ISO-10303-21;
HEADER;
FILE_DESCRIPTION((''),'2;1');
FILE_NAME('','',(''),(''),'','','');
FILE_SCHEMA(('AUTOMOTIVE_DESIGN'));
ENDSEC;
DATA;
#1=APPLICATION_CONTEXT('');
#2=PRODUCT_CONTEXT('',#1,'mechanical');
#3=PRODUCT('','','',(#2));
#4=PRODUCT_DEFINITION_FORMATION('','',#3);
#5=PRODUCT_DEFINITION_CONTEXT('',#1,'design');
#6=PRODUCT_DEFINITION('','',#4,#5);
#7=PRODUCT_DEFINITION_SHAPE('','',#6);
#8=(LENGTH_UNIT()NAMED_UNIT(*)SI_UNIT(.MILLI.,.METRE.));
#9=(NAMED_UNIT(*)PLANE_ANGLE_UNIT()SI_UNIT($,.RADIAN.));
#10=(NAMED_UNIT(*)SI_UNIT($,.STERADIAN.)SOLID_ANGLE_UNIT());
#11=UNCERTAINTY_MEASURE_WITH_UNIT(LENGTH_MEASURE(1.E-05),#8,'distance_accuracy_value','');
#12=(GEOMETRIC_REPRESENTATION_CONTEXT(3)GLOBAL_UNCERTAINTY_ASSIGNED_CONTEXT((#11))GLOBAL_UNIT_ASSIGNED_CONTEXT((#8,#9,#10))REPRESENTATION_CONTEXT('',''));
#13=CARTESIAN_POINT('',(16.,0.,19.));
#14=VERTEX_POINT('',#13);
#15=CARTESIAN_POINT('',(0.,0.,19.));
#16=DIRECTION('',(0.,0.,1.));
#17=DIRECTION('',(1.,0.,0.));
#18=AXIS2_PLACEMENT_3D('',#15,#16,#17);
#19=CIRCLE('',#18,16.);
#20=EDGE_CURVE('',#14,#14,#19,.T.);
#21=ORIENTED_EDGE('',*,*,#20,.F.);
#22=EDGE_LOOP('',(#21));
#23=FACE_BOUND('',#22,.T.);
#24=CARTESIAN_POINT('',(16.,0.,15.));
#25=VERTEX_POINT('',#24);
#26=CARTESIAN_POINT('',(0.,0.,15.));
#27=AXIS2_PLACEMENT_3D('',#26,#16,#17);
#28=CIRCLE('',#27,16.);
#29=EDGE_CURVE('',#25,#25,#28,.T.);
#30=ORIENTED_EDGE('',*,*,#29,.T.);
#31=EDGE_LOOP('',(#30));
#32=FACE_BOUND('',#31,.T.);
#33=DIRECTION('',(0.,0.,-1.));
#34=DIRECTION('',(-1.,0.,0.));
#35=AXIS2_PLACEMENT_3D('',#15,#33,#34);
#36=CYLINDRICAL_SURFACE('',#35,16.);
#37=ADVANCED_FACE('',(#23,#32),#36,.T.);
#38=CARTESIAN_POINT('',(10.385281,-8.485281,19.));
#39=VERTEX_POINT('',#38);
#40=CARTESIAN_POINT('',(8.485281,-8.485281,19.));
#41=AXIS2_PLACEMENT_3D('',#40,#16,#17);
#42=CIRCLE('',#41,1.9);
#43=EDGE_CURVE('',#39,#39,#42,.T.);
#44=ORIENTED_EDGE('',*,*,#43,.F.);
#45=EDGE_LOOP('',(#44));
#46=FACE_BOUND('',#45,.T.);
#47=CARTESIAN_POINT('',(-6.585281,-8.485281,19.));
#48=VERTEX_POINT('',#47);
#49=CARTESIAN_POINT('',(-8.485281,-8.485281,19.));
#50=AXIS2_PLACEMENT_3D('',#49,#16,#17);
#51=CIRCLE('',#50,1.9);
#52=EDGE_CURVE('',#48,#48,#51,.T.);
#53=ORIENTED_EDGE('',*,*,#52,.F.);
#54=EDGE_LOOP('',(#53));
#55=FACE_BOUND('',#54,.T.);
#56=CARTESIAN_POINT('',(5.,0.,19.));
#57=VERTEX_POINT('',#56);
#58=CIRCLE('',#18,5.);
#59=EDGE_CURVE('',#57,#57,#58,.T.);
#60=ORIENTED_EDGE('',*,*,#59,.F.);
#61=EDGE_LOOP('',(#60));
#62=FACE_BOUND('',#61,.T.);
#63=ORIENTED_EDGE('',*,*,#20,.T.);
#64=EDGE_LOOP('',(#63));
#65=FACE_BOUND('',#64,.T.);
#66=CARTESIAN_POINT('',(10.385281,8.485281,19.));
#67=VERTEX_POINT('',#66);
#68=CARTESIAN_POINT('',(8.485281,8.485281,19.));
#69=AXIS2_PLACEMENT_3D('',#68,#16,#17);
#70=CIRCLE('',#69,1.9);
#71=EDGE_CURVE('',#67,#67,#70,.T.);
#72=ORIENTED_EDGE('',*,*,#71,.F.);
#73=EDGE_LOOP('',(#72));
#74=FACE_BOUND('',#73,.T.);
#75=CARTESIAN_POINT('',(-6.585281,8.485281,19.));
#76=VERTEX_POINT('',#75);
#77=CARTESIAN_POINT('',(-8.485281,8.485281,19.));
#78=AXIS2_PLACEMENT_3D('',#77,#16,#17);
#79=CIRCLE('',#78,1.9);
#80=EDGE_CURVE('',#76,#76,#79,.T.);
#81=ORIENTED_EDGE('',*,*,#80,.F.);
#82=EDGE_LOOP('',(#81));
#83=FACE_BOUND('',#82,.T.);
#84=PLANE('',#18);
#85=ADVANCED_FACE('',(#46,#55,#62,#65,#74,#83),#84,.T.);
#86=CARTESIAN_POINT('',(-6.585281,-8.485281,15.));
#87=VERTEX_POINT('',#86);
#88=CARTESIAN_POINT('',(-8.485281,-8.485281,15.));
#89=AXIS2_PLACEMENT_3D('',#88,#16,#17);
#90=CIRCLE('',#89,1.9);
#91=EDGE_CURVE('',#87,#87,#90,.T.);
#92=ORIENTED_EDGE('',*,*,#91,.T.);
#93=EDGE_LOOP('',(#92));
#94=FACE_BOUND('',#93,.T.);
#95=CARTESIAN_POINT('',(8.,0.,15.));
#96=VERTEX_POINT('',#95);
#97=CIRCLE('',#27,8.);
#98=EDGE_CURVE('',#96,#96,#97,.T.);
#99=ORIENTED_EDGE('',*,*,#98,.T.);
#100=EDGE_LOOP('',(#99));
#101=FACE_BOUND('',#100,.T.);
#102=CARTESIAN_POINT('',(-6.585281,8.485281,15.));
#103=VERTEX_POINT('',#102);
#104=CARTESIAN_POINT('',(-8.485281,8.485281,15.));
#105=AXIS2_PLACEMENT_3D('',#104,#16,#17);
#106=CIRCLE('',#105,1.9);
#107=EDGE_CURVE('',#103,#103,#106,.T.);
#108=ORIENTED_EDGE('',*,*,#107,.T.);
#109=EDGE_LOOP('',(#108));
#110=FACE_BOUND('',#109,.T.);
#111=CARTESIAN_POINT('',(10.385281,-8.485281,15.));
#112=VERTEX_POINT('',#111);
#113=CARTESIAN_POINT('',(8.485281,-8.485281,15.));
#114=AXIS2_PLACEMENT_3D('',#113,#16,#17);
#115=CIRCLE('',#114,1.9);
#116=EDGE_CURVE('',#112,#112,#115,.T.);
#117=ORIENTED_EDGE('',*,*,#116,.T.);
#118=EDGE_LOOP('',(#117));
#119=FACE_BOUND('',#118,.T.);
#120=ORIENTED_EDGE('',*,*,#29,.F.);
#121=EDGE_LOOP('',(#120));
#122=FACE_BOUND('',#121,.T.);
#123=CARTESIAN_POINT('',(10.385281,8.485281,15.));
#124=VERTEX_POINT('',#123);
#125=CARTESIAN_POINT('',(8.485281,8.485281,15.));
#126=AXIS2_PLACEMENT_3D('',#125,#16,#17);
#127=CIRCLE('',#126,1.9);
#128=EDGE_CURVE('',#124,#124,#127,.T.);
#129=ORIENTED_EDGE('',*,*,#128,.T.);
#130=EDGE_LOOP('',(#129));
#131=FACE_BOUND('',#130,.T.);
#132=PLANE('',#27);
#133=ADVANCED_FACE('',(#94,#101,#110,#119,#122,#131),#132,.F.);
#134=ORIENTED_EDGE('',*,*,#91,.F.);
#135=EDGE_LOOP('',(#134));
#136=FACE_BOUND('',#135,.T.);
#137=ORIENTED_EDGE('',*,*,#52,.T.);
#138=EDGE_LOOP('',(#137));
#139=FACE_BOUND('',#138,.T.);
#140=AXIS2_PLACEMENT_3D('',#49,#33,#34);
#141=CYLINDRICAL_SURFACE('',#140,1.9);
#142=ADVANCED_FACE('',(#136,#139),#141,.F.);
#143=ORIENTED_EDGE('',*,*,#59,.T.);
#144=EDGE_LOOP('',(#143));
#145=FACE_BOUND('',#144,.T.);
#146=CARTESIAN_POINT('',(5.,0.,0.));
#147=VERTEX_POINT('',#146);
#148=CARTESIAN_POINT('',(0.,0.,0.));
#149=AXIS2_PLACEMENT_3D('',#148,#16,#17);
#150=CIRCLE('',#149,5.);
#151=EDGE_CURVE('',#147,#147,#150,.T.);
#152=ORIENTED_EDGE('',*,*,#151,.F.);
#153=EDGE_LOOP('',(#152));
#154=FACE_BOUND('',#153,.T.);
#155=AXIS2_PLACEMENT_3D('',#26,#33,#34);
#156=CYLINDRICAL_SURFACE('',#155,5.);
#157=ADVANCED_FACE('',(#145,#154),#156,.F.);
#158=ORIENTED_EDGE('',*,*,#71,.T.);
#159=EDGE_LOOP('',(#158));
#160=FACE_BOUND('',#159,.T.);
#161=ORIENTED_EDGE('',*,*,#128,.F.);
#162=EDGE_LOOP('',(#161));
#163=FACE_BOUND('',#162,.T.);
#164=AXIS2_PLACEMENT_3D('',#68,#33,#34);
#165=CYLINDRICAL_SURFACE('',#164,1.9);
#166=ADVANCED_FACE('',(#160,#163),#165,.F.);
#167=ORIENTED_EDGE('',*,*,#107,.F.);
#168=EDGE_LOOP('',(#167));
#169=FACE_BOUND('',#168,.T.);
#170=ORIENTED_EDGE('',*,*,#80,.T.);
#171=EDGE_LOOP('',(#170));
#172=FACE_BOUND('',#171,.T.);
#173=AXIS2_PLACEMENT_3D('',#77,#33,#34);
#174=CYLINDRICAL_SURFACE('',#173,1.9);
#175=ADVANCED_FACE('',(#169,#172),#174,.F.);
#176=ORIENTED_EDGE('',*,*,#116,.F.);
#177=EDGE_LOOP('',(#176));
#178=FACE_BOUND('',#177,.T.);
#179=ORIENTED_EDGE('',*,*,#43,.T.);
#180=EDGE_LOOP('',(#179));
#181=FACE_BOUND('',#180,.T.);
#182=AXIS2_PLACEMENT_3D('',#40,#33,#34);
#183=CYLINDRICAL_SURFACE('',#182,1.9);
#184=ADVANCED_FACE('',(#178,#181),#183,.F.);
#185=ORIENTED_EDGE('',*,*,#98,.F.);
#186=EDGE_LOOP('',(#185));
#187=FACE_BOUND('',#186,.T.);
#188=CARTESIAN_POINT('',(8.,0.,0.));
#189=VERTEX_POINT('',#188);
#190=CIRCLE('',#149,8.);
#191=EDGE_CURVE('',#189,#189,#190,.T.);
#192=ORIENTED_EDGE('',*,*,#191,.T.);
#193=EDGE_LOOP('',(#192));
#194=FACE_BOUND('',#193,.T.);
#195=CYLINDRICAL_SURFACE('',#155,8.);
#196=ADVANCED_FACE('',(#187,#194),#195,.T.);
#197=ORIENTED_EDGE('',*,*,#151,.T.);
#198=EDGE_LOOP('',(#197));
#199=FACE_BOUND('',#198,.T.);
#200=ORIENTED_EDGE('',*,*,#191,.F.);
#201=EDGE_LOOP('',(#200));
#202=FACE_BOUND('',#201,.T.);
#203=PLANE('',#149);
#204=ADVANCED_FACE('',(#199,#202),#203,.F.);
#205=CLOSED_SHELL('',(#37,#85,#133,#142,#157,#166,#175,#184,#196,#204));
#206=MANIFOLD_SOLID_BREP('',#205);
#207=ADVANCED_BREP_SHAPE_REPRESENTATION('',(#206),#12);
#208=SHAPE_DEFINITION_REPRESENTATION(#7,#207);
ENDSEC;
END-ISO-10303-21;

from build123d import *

# Parameters (mm, degrees)
SKETCH1_R      = 8
SKETCH1_R_2    = 5
EXTRUDE1_DEPTH = 15
SKETCH2_R      = 16
SKETCH2_R_2    = 5
SKETCH2_R_3    = 1.9
EXTRUDE2_DEPTH = 4


with BuildPart() as part:
    # Sketch1 → Extrude1 (new body)
    with BuildSketch(Plane.XY):
        Circle(SKETCH1_R)
        Circle(SKETCH1_R_2, mode=Mode.SUBTRACT)
    extrude(amount=EXTRUDE1_DEPTH)

    # Sketch2 → Extrude2 (add)
    with BuildSketch(Plane.XY.offset(15)):
        Circle(SKETCH2_R)
        Circle(SKETCH2_R_2, mode=Mode.SUBTRACT)
        with Locations((-8.485281374, 8.485281374)):
            Circle(SKETCH2_R_3, mode=Mode.SUBTRACT)
        with Locations((8.485281374, 8.485281374)):
            Circle(SKETCH2_R_3, mode=Mode.SUBTRACT)
        with Locations((-8.485281374, -8.485281374)):
            Circle(SKETCH2_R_3, mode=Mode.SUBTRACT)
        with Locations((8.485281374, -8.485281374)):
            Circle(SKETCH2_R_3, mode=Mode.SUBTRACT)
    extrude(amount=EXTRUDE2_DEPTH)


solid = part.part
